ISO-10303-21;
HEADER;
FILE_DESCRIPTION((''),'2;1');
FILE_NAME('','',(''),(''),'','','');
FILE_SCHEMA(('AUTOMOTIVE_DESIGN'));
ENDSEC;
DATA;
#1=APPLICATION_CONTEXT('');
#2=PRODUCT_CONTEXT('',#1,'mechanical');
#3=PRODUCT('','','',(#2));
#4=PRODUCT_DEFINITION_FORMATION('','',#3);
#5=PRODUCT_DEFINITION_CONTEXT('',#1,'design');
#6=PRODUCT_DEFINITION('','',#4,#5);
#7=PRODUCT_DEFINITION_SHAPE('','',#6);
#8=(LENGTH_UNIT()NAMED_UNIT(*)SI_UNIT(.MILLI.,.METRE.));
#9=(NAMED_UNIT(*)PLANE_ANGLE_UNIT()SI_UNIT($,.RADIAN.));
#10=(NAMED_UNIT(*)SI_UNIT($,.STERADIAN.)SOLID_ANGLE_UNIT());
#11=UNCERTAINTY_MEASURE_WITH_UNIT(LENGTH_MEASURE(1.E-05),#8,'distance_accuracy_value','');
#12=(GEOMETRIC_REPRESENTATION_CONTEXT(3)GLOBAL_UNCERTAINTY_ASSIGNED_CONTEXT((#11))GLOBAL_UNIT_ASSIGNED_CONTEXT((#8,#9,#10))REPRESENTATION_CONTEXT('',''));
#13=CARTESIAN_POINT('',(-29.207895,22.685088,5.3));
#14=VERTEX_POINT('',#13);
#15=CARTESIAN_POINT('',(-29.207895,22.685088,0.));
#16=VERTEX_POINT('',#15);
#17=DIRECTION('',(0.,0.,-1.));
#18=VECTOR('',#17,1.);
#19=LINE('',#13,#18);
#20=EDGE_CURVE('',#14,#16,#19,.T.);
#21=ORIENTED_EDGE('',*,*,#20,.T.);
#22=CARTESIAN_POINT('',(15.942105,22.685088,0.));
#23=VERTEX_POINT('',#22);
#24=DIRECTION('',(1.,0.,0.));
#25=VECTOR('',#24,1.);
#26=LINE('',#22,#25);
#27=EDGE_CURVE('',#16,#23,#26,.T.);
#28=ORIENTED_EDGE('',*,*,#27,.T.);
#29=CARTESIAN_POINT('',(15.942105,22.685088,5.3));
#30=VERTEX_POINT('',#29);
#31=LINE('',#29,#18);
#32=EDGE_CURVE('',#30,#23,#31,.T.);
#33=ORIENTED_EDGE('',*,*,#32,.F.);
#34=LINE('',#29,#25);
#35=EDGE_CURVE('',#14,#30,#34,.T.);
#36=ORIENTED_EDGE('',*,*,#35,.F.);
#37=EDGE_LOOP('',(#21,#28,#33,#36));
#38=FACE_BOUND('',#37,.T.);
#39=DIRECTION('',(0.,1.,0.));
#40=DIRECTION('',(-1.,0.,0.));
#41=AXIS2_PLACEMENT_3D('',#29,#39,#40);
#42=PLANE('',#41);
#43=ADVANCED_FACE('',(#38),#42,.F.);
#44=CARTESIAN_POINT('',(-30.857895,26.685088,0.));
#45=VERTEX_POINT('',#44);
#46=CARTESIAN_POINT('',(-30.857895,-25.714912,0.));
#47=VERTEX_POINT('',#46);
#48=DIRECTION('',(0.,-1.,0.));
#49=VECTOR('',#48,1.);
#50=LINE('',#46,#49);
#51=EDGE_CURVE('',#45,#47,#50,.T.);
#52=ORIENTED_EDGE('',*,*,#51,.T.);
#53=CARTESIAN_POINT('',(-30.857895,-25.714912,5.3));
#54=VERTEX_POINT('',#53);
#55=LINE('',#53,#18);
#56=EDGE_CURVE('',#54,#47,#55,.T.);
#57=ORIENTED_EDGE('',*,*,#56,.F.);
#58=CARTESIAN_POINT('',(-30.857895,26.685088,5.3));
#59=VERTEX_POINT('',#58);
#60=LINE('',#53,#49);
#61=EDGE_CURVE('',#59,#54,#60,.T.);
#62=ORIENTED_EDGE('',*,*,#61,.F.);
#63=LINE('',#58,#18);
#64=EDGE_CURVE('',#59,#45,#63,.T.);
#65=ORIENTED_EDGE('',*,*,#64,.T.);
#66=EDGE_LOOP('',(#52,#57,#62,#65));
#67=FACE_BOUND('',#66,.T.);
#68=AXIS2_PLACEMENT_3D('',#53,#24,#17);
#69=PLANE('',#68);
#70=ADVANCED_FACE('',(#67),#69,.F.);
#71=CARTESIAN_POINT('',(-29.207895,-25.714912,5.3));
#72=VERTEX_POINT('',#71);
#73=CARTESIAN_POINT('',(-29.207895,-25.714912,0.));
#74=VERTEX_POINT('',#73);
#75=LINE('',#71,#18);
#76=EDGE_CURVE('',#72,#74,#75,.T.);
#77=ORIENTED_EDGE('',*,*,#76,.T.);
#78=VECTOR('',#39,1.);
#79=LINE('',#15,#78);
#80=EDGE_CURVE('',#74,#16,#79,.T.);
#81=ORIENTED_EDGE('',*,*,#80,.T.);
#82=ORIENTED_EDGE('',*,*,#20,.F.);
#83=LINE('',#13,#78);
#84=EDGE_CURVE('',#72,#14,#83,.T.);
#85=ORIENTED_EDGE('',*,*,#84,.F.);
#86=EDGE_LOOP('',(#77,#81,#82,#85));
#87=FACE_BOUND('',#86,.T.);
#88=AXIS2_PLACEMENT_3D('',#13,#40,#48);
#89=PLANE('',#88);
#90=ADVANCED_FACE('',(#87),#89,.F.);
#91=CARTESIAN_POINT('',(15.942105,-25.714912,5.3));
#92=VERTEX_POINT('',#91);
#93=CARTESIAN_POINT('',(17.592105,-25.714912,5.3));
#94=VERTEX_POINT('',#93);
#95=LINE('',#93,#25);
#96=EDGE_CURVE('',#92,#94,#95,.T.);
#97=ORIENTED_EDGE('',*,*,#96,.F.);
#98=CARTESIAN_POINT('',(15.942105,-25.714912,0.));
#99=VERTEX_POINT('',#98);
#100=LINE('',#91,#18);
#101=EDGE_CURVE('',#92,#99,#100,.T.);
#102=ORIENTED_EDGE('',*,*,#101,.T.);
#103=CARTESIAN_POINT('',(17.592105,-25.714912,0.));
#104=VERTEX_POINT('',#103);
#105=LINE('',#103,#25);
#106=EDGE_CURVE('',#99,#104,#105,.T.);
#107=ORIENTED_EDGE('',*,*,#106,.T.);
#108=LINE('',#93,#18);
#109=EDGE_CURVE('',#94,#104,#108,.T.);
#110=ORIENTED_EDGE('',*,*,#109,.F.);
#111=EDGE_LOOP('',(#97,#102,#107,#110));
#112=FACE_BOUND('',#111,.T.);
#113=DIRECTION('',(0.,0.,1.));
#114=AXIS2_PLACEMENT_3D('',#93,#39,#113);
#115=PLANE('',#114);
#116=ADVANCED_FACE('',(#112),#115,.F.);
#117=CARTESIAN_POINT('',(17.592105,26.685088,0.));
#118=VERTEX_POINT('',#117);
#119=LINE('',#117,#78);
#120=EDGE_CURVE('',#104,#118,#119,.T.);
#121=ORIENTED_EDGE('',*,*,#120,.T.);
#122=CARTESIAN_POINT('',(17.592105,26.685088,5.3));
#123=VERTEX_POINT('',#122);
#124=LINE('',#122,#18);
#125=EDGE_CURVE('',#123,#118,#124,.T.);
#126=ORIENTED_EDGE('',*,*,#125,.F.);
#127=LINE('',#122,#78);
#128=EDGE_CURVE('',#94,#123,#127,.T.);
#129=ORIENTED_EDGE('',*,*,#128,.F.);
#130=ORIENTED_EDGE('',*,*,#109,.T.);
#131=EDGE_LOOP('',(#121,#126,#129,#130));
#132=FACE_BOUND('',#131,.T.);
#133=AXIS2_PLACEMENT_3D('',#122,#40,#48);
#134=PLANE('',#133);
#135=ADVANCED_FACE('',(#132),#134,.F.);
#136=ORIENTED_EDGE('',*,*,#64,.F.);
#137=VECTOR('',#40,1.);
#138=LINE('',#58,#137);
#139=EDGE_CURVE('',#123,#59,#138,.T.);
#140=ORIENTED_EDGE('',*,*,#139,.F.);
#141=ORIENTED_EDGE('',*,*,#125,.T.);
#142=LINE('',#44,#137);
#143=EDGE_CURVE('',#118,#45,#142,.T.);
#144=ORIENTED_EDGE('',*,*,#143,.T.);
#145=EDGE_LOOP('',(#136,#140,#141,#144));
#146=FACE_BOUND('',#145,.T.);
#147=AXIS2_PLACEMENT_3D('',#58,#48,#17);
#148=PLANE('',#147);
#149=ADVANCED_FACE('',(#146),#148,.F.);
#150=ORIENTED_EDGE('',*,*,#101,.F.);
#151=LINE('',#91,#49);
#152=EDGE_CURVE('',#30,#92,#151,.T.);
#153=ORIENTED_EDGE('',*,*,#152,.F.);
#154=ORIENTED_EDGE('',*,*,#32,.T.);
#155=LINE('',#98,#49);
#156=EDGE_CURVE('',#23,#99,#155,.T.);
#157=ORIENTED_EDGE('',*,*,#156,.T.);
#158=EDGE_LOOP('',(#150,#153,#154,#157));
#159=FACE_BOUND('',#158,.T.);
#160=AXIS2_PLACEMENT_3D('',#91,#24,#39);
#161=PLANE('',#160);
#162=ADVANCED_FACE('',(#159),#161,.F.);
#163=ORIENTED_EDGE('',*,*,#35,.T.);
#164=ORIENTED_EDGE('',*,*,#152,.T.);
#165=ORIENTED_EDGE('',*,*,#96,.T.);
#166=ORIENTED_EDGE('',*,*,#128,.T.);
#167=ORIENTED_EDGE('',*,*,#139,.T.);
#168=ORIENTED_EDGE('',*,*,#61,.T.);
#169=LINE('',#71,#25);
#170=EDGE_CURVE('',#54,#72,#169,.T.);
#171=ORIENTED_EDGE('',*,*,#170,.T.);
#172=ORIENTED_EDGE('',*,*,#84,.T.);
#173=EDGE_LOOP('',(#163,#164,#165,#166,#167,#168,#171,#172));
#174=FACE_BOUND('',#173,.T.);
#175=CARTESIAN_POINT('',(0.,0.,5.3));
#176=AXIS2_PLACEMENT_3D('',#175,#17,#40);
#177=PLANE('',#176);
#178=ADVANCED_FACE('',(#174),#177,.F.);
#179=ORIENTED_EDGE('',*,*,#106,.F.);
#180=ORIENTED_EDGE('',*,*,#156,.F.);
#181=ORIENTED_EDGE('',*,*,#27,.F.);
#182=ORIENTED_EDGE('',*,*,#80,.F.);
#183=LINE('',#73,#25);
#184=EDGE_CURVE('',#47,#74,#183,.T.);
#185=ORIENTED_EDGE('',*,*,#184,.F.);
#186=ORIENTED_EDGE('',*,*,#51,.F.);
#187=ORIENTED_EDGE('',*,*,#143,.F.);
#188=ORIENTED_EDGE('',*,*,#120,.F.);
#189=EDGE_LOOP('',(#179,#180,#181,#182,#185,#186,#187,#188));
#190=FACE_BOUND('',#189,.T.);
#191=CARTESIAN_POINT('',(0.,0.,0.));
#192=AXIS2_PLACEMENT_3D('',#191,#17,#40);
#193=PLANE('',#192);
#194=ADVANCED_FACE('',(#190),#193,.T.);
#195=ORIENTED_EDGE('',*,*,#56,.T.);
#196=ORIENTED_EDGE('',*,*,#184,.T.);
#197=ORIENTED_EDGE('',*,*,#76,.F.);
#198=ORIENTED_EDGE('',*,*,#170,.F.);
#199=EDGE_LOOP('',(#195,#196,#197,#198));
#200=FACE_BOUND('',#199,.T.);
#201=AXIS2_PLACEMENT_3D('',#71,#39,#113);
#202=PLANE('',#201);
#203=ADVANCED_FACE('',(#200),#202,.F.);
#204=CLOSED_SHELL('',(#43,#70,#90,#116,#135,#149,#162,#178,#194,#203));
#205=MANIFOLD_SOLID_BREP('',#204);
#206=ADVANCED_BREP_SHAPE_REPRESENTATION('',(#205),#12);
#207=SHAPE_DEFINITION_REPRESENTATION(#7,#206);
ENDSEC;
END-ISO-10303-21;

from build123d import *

# Parameters (mm, degrees)
BOSS_EXTRUDE1_DEPTH = 5.3


with BuildPart() as part:
    # Sketch1 → Boss-Extrude1 (new body)
    with BuildSketch(Plane.XY):
        Polygon((-30.857894737, 26.685087719), (17.592105263, 26.685087719), (17.592105263, -25.714912281), (15.942105263, -25.714912281), (15.942105263, 22.685087719), (-29.207894737, 22.685087719), (-29.207894737, -25.714912281), (-30.857894737, -25.714912281), align=None)
    extrude(amount=BOSS_EXTRUDE1_DEPTH)


solid = part.part
